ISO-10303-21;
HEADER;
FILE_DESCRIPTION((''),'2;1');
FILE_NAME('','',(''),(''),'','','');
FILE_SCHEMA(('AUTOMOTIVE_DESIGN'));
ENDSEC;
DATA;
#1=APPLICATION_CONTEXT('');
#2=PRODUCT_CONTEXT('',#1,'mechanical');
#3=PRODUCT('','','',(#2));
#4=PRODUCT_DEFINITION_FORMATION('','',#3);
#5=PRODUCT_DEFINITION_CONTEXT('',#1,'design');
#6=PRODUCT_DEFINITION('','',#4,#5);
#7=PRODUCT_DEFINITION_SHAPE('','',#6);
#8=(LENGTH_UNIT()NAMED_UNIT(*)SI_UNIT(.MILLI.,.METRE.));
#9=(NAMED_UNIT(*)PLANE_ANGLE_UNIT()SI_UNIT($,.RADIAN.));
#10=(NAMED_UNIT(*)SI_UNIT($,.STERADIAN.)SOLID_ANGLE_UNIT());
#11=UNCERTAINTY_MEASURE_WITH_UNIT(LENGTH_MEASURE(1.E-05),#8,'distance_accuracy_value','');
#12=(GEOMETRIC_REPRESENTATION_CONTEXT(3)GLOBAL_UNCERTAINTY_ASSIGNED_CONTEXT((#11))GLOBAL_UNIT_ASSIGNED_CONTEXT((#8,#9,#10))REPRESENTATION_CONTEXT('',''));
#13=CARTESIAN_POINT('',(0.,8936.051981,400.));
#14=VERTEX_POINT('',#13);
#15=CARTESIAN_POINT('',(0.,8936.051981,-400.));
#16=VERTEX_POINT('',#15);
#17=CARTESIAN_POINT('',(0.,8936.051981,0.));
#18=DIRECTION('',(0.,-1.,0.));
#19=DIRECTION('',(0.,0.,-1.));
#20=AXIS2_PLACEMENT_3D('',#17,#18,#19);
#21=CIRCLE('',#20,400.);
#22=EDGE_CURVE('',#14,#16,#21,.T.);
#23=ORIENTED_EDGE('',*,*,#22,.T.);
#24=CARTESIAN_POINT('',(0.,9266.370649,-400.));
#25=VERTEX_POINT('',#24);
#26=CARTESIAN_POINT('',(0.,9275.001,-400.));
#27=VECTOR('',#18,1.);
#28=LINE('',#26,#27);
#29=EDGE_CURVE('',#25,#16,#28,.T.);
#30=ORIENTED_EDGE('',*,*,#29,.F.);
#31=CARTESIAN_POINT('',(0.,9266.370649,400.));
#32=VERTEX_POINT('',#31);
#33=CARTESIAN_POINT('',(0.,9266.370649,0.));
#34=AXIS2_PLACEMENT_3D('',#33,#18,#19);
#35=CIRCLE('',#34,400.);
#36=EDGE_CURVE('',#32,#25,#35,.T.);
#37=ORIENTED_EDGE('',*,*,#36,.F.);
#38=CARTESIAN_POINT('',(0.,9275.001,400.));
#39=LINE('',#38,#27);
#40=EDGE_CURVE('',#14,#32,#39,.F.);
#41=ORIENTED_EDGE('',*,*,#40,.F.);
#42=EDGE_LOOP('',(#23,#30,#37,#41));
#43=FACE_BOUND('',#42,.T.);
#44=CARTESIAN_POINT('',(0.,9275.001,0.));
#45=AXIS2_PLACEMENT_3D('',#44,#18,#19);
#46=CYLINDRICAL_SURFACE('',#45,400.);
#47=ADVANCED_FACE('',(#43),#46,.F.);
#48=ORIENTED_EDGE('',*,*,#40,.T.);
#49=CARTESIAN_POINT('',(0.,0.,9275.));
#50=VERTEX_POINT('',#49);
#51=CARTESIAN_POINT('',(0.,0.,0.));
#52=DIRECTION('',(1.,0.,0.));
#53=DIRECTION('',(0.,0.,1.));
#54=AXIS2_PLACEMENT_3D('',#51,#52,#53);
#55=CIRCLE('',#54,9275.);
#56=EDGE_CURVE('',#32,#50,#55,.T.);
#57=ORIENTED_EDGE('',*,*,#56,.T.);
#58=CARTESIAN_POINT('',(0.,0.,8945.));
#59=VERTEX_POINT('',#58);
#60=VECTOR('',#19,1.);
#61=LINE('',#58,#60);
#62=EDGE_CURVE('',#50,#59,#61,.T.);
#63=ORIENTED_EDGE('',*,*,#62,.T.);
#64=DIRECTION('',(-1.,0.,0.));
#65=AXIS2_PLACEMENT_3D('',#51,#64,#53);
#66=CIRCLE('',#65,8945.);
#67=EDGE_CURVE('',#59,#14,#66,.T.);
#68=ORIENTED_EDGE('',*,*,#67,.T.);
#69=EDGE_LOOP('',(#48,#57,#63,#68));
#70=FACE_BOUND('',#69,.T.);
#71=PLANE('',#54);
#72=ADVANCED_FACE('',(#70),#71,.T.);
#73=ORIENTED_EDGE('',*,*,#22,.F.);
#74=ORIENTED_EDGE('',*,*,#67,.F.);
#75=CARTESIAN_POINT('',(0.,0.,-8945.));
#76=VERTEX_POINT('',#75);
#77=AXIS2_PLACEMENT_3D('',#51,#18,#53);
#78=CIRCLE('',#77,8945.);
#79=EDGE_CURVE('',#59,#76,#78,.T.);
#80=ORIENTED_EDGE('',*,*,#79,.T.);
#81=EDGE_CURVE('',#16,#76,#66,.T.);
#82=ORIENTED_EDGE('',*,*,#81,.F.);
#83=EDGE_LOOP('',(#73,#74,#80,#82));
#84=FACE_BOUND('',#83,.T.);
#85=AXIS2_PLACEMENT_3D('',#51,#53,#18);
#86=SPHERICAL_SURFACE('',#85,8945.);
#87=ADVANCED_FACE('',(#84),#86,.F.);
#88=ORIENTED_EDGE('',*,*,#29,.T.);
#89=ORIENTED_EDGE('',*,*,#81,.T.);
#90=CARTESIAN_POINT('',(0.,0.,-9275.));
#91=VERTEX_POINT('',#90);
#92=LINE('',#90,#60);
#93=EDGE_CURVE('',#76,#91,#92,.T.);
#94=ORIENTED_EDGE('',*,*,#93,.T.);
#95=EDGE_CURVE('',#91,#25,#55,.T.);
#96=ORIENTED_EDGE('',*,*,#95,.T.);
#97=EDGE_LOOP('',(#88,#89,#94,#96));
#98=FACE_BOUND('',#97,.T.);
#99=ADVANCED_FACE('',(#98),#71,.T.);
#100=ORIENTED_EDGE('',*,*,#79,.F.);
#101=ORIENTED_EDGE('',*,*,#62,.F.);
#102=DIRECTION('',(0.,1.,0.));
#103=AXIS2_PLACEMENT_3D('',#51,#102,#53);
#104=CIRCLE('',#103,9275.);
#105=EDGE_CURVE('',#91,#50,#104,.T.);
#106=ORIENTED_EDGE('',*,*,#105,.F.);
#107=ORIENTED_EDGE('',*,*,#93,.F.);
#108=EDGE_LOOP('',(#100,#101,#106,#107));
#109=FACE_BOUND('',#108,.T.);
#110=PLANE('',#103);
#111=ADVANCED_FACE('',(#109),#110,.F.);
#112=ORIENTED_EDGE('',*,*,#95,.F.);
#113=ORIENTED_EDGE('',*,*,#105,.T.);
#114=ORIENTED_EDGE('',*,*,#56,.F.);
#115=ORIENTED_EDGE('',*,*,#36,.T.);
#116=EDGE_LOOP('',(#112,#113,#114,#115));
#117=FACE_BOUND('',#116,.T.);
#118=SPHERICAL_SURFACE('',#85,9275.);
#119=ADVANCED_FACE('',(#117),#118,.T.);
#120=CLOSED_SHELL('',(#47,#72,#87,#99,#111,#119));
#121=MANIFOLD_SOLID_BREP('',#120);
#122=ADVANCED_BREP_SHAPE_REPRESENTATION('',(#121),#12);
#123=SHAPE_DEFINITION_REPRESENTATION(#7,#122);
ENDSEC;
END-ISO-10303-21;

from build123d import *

# Parameters (mm, degrees)
REVOLVE1_ANGLE          = 90
CUT_EXTRUDE1_REACH      = 16066.771
CUT_EXTRUDE1_END_RADIUS = 9275
SKETCH2_R               = 400


with BuildPart() as part:
    # Sketch1 → Revolve1 (revolve)
    with BuildSketch(Plane(origin=(0, 0, 0), x_dir=(1, 0, 0), z_dir=(0, 1, 0))):
        with BuildLine():
            Line((0, 9275), (0, 8945))
            ThreePointArc((0, 8945), (-8945, 0), (0, -8945))
            Line((0, -8945), (0, -9275))
            ThreePointArc((0, -9275), (-9275, 0), (0, 9275))
        make_face()
    revolve(axis=Axis((0, 0, 41.715398803), (0, 0, -1)), revolution_arc=REVOLVE1_ANGLE)

    # Cut-Extrude1: up to this sphere (the profile starts inside it)
    cut_extrude1_end = Location((0, 0, 0)) * Sphere(CUT_EXTRUDE1_END_RADIUS, mode=Mode.PRIVATE)
    # Sketch2 → Cut-Extrude1 (cut, up to the surface)
    with BuildSketch(Plane(origin=(0, 0, 0), x_dir=(1, 0, 0), z_dir=(0, 1, 0)), mode=Mode.PRIVATE) as cut_extrude1_sk1:
        Circle(SKETCH2_R)
    cut_extrude1_tool1 = extrude(cut_extrude1_sk1.sketch, amount=CUT_EXTRUDE1_REACH, mode=Mode.PRIVATE) & cut_extrude1_end
    add(cut_extrude1_tool1.solids().sort_by_distance((0, 0, 0))[0], mode=Mode.SUBTRACT)


solid = part.part
